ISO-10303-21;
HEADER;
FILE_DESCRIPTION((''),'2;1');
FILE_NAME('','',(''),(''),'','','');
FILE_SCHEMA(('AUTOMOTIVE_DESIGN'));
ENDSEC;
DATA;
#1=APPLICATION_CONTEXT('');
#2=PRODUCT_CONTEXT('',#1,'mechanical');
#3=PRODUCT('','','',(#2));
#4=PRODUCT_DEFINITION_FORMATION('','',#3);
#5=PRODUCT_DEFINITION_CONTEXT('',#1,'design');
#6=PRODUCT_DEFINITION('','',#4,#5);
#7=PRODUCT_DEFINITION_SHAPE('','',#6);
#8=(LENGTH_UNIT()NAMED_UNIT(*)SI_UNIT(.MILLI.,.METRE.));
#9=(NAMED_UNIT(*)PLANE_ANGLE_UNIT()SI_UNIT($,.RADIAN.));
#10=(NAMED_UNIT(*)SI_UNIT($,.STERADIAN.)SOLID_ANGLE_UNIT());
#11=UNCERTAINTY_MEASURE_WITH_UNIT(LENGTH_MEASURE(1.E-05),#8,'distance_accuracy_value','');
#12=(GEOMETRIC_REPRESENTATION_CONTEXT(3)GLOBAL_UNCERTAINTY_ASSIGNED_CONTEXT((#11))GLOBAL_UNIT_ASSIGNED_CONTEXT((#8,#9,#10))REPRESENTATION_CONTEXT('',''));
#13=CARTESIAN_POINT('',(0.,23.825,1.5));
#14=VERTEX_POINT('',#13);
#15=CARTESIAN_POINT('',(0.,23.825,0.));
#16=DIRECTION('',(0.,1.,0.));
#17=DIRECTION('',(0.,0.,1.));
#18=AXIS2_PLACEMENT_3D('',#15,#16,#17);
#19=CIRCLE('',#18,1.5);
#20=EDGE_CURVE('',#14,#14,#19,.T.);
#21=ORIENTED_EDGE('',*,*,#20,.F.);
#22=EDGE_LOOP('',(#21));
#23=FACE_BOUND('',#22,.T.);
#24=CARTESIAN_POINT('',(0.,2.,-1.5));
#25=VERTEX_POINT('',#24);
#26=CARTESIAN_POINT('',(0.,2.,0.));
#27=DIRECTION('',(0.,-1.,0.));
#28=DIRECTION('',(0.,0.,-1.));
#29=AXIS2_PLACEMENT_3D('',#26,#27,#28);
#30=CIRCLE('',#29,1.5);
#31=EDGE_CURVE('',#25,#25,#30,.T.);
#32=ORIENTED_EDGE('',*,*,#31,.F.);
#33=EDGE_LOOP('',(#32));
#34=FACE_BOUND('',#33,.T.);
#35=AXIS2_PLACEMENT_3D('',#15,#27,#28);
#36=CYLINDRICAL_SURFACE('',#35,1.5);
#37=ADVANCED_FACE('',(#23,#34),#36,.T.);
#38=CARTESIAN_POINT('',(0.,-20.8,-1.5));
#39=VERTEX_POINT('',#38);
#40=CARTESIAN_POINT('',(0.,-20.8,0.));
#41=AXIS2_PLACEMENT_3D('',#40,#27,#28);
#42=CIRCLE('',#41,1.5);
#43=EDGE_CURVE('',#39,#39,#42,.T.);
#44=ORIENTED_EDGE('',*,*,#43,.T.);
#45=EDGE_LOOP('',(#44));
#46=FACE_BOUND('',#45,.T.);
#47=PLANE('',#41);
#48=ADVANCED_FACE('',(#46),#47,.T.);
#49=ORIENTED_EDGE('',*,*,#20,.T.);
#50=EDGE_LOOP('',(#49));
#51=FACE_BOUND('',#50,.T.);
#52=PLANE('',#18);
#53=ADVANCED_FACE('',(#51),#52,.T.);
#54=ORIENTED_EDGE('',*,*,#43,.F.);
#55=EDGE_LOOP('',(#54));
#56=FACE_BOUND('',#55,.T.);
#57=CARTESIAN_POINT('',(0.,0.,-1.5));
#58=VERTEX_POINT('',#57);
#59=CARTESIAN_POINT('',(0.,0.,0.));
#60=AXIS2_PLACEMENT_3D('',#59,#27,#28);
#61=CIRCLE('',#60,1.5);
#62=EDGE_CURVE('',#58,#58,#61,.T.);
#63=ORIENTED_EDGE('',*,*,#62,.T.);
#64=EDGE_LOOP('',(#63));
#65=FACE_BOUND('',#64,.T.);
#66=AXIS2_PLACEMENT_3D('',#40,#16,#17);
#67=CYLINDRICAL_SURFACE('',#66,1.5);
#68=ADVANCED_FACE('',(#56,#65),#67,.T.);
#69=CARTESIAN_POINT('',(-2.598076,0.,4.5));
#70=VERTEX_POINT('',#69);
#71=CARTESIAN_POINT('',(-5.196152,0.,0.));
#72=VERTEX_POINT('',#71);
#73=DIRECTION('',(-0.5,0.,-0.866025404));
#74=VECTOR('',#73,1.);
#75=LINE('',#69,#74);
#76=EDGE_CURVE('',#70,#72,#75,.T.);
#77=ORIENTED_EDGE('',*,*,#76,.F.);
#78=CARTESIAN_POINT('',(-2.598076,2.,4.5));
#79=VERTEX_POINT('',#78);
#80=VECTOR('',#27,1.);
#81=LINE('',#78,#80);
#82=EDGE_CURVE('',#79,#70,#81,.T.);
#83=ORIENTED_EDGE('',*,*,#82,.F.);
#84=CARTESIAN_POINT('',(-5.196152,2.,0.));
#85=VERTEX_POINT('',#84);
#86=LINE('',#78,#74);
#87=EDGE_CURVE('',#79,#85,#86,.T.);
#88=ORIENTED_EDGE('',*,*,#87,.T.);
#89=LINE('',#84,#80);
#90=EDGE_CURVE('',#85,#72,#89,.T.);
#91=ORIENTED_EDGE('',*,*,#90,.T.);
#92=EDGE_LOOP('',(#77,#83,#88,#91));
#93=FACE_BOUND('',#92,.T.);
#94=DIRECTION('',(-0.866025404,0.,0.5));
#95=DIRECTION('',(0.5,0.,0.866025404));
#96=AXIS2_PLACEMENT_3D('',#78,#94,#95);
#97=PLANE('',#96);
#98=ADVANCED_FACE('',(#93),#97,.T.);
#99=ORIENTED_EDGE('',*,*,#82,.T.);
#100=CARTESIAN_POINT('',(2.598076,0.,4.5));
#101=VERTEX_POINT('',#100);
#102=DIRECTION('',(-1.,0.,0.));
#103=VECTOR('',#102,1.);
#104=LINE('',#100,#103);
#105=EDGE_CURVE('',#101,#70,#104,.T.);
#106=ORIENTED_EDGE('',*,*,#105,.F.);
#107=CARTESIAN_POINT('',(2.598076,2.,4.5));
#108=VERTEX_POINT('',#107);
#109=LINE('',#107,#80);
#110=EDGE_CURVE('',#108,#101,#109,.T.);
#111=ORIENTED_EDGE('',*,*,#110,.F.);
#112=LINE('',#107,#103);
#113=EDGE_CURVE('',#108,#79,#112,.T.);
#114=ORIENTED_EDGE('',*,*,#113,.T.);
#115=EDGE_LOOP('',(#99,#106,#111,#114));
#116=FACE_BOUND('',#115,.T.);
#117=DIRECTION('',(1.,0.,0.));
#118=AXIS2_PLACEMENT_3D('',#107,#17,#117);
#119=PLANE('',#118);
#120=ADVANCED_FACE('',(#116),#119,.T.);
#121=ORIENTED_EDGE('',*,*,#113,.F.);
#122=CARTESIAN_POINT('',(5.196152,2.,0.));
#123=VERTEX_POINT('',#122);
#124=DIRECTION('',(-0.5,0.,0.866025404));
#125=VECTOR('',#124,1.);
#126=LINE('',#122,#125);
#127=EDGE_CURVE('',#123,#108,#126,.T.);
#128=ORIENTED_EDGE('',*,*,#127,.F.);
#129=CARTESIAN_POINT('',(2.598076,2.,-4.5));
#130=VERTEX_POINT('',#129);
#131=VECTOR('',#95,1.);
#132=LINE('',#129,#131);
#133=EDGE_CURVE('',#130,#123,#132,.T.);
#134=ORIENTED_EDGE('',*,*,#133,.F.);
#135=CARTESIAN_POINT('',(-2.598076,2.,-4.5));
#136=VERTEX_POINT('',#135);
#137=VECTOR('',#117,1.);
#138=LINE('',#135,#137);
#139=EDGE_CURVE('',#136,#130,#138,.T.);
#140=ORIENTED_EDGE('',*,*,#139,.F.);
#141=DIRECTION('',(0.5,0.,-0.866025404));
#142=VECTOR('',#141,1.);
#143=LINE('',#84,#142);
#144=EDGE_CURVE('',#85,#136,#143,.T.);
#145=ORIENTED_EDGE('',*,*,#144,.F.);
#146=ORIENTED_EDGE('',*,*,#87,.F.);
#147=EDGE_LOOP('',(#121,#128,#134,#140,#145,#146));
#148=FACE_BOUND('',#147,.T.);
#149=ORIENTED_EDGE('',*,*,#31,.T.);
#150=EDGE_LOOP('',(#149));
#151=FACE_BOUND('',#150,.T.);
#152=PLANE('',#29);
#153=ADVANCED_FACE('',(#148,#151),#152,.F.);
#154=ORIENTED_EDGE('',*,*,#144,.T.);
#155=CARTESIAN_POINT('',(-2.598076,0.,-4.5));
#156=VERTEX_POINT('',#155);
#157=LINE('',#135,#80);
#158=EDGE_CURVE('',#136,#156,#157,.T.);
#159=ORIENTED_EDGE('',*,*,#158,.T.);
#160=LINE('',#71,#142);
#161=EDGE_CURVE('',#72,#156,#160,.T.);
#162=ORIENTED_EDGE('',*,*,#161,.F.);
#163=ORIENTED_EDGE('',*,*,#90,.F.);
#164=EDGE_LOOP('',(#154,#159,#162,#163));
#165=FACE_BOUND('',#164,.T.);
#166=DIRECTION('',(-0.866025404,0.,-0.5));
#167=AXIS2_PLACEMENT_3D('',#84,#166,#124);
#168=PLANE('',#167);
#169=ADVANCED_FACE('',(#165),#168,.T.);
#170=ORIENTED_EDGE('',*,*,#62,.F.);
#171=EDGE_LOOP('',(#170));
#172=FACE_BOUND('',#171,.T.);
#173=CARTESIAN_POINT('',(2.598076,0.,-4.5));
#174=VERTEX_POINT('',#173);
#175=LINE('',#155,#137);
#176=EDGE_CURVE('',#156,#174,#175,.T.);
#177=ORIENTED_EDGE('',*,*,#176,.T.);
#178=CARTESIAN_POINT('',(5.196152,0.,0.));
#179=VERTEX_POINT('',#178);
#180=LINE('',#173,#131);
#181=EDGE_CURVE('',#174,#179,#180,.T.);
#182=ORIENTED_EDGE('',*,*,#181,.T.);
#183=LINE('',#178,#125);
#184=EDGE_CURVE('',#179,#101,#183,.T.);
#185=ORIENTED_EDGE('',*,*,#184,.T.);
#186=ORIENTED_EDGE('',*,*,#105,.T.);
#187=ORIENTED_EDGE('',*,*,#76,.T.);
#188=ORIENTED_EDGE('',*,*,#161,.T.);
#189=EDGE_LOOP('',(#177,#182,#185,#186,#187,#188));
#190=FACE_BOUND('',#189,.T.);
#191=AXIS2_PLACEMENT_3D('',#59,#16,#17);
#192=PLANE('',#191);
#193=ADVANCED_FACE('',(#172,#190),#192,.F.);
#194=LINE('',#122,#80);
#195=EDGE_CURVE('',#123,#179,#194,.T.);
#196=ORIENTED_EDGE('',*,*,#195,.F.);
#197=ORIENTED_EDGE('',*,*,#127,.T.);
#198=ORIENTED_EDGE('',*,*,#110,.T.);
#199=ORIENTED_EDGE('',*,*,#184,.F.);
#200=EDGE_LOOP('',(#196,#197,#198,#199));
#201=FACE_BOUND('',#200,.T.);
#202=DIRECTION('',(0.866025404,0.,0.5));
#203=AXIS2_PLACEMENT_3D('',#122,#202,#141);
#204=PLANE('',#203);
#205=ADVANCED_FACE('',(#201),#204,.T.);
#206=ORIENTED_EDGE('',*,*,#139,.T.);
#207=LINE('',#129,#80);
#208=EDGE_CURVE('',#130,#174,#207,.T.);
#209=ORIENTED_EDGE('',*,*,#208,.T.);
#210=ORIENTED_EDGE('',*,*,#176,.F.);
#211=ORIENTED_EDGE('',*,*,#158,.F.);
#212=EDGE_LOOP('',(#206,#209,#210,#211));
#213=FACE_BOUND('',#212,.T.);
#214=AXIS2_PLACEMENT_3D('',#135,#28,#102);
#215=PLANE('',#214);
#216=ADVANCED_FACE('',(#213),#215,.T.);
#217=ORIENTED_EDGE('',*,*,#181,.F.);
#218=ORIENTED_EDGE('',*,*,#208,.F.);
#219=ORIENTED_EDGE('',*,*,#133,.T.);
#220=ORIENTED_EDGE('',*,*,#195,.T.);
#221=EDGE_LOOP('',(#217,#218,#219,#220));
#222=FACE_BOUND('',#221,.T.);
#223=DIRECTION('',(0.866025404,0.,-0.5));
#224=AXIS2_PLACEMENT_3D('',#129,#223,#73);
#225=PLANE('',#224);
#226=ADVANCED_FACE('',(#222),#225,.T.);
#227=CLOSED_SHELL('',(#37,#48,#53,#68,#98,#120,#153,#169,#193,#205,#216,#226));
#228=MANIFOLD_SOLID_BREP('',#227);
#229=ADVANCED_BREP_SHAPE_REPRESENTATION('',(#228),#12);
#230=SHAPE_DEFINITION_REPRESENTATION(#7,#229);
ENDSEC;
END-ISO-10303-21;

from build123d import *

# Parameters (mm, degrees)
SKETCH1_R           = 1.5
BOSS_EXTRUDE1_DEPTH = 23.825
BOSS_EXTRUDE2_DEPTH = 2
BOSS_EXTRUDE3_START = 20.8
SKETCH4_R           = 1.5
BOSS_EXTRUDE3_DEPTH = 20.8


with BuildPart() as part:
    # Sketch1 → Boss-Extrude1 (new body)
    with BuildSketch(Plane(origin=(0, 0, 0), x_dir=(1, 0, 0), z_dir=(0, 1, 0))):
        with Locations(Location((0, 0, 0), (0, 0, 270))):
            Circle(SKETCH1_R)
    extrude(amount=BOSS_EXTRUDE1_DEPTH)

    # Sketch3 → Boss-Extrude2 (add)
    with BuildSketch(Plane(origin=(0, 0, 0), x_dir=(-1, 0, 0), z_dir=(0, -1, 0))):
        Polygon((5.196152423, 0), (2.598076211, 4.5), (-2.598076211, 4.5), (-5.196152423, 0), (-2.598076211, -4.5), (2.598076211, -4.5), align=None)
    extrude(amount=-BOSS_EXTRUDE2_DEPTH)

    # Sketch4 → Boss-Extrude3 (add)
    with BuildSketch(Plane(origin=(0, 0, 0), x_dir=(-1, 0, 0), z_dir=(0, -1, 0)).offset(BOSS_EXTRUDE3_START)):
        with Locations(Location((0, 0, 0), (0, 0, 90))):
            Circle(SKETCH4_R)
    extrude(amount=-BOSS_EXTRUDE3_DEPTH)


solid = part.part
